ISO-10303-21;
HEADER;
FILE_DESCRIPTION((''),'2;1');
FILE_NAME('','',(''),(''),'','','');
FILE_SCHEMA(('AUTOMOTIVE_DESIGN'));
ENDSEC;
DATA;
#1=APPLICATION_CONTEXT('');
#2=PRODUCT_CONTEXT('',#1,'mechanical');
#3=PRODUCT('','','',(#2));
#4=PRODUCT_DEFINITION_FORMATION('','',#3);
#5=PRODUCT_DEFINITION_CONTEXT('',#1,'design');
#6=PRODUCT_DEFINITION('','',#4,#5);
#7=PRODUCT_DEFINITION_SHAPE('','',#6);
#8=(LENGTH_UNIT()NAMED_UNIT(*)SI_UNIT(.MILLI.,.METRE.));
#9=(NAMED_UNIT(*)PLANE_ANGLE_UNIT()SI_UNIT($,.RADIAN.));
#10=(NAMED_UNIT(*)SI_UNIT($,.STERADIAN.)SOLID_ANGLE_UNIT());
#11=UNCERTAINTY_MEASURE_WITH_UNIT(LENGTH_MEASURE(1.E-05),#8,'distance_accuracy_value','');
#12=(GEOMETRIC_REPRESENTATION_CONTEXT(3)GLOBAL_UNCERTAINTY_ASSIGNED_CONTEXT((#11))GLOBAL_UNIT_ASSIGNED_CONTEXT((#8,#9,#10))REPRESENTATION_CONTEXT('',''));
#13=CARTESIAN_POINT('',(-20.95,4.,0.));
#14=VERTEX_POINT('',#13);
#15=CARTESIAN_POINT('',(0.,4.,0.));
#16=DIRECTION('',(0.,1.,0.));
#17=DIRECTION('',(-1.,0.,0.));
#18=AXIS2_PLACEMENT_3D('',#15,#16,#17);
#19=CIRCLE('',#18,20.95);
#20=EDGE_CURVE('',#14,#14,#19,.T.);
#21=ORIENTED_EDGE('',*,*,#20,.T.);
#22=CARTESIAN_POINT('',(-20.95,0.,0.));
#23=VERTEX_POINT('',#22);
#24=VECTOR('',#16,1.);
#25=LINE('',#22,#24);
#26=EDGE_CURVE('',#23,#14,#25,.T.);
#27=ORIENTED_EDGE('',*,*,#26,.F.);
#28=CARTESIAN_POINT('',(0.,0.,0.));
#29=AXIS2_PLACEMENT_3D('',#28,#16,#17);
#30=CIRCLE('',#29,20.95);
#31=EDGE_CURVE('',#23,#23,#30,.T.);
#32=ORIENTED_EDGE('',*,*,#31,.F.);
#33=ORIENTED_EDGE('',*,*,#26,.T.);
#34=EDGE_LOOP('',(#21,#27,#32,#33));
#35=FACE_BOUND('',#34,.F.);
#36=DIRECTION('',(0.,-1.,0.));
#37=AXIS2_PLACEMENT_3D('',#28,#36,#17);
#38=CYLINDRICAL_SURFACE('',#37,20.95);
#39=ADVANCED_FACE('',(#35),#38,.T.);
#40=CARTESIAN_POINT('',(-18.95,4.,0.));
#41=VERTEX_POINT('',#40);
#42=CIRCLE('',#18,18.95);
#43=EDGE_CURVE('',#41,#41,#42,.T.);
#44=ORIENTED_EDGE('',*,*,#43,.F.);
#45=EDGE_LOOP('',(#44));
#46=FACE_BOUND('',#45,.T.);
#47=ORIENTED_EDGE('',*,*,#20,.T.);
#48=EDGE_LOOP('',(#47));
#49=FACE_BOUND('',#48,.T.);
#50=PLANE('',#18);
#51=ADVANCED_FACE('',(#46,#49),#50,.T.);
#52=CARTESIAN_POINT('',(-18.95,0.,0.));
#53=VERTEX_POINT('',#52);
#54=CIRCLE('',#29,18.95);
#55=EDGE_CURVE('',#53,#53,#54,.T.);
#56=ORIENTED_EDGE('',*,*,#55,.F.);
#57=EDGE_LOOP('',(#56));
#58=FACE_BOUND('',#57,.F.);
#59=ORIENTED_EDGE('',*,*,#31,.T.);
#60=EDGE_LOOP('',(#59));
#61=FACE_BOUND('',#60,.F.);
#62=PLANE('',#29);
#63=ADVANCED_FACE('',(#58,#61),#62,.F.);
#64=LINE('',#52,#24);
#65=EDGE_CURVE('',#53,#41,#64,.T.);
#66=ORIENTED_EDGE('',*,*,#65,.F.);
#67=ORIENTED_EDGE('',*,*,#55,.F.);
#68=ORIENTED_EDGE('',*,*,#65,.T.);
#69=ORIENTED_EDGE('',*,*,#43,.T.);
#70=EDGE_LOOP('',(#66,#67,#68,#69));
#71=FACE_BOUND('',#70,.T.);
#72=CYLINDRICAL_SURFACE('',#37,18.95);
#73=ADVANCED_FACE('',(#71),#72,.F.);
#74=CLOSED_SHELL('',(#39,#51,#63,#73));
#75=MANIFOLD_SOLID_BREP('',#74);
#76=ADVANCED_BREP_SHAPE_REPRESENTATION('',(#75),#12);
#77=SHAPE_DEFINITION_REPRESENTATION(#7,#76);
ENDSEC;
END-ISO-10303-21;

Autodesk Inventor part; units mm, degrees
ref_plane "YZ Plane" through (0, 0, 0) normal (1, 0, 0) x (0, 1, 0)
ref_plane "XZ Plane" through (0, 0, 0) normal (0, 1, 0) x (-1, 0, 0)
ref_plane "XY Plane" through (0, 0, 0) normal (0, 0, 1) x (1, 0, 0)
sketch "Sketch1" plane through (0, 0, 0) normal (0, 1, 0) x (-1, 0, 0)
  circle A0 centre (0, 0) radius 20.95
  circle A1 centre (0, 0) radius 18.95
  dimension "d0" = 41.9
  dimension "d1" = 2
extrude "Extrusion1" add sketch "Sketch1" along normal blind 4
properties part number "Prueba_Cilindro2"
